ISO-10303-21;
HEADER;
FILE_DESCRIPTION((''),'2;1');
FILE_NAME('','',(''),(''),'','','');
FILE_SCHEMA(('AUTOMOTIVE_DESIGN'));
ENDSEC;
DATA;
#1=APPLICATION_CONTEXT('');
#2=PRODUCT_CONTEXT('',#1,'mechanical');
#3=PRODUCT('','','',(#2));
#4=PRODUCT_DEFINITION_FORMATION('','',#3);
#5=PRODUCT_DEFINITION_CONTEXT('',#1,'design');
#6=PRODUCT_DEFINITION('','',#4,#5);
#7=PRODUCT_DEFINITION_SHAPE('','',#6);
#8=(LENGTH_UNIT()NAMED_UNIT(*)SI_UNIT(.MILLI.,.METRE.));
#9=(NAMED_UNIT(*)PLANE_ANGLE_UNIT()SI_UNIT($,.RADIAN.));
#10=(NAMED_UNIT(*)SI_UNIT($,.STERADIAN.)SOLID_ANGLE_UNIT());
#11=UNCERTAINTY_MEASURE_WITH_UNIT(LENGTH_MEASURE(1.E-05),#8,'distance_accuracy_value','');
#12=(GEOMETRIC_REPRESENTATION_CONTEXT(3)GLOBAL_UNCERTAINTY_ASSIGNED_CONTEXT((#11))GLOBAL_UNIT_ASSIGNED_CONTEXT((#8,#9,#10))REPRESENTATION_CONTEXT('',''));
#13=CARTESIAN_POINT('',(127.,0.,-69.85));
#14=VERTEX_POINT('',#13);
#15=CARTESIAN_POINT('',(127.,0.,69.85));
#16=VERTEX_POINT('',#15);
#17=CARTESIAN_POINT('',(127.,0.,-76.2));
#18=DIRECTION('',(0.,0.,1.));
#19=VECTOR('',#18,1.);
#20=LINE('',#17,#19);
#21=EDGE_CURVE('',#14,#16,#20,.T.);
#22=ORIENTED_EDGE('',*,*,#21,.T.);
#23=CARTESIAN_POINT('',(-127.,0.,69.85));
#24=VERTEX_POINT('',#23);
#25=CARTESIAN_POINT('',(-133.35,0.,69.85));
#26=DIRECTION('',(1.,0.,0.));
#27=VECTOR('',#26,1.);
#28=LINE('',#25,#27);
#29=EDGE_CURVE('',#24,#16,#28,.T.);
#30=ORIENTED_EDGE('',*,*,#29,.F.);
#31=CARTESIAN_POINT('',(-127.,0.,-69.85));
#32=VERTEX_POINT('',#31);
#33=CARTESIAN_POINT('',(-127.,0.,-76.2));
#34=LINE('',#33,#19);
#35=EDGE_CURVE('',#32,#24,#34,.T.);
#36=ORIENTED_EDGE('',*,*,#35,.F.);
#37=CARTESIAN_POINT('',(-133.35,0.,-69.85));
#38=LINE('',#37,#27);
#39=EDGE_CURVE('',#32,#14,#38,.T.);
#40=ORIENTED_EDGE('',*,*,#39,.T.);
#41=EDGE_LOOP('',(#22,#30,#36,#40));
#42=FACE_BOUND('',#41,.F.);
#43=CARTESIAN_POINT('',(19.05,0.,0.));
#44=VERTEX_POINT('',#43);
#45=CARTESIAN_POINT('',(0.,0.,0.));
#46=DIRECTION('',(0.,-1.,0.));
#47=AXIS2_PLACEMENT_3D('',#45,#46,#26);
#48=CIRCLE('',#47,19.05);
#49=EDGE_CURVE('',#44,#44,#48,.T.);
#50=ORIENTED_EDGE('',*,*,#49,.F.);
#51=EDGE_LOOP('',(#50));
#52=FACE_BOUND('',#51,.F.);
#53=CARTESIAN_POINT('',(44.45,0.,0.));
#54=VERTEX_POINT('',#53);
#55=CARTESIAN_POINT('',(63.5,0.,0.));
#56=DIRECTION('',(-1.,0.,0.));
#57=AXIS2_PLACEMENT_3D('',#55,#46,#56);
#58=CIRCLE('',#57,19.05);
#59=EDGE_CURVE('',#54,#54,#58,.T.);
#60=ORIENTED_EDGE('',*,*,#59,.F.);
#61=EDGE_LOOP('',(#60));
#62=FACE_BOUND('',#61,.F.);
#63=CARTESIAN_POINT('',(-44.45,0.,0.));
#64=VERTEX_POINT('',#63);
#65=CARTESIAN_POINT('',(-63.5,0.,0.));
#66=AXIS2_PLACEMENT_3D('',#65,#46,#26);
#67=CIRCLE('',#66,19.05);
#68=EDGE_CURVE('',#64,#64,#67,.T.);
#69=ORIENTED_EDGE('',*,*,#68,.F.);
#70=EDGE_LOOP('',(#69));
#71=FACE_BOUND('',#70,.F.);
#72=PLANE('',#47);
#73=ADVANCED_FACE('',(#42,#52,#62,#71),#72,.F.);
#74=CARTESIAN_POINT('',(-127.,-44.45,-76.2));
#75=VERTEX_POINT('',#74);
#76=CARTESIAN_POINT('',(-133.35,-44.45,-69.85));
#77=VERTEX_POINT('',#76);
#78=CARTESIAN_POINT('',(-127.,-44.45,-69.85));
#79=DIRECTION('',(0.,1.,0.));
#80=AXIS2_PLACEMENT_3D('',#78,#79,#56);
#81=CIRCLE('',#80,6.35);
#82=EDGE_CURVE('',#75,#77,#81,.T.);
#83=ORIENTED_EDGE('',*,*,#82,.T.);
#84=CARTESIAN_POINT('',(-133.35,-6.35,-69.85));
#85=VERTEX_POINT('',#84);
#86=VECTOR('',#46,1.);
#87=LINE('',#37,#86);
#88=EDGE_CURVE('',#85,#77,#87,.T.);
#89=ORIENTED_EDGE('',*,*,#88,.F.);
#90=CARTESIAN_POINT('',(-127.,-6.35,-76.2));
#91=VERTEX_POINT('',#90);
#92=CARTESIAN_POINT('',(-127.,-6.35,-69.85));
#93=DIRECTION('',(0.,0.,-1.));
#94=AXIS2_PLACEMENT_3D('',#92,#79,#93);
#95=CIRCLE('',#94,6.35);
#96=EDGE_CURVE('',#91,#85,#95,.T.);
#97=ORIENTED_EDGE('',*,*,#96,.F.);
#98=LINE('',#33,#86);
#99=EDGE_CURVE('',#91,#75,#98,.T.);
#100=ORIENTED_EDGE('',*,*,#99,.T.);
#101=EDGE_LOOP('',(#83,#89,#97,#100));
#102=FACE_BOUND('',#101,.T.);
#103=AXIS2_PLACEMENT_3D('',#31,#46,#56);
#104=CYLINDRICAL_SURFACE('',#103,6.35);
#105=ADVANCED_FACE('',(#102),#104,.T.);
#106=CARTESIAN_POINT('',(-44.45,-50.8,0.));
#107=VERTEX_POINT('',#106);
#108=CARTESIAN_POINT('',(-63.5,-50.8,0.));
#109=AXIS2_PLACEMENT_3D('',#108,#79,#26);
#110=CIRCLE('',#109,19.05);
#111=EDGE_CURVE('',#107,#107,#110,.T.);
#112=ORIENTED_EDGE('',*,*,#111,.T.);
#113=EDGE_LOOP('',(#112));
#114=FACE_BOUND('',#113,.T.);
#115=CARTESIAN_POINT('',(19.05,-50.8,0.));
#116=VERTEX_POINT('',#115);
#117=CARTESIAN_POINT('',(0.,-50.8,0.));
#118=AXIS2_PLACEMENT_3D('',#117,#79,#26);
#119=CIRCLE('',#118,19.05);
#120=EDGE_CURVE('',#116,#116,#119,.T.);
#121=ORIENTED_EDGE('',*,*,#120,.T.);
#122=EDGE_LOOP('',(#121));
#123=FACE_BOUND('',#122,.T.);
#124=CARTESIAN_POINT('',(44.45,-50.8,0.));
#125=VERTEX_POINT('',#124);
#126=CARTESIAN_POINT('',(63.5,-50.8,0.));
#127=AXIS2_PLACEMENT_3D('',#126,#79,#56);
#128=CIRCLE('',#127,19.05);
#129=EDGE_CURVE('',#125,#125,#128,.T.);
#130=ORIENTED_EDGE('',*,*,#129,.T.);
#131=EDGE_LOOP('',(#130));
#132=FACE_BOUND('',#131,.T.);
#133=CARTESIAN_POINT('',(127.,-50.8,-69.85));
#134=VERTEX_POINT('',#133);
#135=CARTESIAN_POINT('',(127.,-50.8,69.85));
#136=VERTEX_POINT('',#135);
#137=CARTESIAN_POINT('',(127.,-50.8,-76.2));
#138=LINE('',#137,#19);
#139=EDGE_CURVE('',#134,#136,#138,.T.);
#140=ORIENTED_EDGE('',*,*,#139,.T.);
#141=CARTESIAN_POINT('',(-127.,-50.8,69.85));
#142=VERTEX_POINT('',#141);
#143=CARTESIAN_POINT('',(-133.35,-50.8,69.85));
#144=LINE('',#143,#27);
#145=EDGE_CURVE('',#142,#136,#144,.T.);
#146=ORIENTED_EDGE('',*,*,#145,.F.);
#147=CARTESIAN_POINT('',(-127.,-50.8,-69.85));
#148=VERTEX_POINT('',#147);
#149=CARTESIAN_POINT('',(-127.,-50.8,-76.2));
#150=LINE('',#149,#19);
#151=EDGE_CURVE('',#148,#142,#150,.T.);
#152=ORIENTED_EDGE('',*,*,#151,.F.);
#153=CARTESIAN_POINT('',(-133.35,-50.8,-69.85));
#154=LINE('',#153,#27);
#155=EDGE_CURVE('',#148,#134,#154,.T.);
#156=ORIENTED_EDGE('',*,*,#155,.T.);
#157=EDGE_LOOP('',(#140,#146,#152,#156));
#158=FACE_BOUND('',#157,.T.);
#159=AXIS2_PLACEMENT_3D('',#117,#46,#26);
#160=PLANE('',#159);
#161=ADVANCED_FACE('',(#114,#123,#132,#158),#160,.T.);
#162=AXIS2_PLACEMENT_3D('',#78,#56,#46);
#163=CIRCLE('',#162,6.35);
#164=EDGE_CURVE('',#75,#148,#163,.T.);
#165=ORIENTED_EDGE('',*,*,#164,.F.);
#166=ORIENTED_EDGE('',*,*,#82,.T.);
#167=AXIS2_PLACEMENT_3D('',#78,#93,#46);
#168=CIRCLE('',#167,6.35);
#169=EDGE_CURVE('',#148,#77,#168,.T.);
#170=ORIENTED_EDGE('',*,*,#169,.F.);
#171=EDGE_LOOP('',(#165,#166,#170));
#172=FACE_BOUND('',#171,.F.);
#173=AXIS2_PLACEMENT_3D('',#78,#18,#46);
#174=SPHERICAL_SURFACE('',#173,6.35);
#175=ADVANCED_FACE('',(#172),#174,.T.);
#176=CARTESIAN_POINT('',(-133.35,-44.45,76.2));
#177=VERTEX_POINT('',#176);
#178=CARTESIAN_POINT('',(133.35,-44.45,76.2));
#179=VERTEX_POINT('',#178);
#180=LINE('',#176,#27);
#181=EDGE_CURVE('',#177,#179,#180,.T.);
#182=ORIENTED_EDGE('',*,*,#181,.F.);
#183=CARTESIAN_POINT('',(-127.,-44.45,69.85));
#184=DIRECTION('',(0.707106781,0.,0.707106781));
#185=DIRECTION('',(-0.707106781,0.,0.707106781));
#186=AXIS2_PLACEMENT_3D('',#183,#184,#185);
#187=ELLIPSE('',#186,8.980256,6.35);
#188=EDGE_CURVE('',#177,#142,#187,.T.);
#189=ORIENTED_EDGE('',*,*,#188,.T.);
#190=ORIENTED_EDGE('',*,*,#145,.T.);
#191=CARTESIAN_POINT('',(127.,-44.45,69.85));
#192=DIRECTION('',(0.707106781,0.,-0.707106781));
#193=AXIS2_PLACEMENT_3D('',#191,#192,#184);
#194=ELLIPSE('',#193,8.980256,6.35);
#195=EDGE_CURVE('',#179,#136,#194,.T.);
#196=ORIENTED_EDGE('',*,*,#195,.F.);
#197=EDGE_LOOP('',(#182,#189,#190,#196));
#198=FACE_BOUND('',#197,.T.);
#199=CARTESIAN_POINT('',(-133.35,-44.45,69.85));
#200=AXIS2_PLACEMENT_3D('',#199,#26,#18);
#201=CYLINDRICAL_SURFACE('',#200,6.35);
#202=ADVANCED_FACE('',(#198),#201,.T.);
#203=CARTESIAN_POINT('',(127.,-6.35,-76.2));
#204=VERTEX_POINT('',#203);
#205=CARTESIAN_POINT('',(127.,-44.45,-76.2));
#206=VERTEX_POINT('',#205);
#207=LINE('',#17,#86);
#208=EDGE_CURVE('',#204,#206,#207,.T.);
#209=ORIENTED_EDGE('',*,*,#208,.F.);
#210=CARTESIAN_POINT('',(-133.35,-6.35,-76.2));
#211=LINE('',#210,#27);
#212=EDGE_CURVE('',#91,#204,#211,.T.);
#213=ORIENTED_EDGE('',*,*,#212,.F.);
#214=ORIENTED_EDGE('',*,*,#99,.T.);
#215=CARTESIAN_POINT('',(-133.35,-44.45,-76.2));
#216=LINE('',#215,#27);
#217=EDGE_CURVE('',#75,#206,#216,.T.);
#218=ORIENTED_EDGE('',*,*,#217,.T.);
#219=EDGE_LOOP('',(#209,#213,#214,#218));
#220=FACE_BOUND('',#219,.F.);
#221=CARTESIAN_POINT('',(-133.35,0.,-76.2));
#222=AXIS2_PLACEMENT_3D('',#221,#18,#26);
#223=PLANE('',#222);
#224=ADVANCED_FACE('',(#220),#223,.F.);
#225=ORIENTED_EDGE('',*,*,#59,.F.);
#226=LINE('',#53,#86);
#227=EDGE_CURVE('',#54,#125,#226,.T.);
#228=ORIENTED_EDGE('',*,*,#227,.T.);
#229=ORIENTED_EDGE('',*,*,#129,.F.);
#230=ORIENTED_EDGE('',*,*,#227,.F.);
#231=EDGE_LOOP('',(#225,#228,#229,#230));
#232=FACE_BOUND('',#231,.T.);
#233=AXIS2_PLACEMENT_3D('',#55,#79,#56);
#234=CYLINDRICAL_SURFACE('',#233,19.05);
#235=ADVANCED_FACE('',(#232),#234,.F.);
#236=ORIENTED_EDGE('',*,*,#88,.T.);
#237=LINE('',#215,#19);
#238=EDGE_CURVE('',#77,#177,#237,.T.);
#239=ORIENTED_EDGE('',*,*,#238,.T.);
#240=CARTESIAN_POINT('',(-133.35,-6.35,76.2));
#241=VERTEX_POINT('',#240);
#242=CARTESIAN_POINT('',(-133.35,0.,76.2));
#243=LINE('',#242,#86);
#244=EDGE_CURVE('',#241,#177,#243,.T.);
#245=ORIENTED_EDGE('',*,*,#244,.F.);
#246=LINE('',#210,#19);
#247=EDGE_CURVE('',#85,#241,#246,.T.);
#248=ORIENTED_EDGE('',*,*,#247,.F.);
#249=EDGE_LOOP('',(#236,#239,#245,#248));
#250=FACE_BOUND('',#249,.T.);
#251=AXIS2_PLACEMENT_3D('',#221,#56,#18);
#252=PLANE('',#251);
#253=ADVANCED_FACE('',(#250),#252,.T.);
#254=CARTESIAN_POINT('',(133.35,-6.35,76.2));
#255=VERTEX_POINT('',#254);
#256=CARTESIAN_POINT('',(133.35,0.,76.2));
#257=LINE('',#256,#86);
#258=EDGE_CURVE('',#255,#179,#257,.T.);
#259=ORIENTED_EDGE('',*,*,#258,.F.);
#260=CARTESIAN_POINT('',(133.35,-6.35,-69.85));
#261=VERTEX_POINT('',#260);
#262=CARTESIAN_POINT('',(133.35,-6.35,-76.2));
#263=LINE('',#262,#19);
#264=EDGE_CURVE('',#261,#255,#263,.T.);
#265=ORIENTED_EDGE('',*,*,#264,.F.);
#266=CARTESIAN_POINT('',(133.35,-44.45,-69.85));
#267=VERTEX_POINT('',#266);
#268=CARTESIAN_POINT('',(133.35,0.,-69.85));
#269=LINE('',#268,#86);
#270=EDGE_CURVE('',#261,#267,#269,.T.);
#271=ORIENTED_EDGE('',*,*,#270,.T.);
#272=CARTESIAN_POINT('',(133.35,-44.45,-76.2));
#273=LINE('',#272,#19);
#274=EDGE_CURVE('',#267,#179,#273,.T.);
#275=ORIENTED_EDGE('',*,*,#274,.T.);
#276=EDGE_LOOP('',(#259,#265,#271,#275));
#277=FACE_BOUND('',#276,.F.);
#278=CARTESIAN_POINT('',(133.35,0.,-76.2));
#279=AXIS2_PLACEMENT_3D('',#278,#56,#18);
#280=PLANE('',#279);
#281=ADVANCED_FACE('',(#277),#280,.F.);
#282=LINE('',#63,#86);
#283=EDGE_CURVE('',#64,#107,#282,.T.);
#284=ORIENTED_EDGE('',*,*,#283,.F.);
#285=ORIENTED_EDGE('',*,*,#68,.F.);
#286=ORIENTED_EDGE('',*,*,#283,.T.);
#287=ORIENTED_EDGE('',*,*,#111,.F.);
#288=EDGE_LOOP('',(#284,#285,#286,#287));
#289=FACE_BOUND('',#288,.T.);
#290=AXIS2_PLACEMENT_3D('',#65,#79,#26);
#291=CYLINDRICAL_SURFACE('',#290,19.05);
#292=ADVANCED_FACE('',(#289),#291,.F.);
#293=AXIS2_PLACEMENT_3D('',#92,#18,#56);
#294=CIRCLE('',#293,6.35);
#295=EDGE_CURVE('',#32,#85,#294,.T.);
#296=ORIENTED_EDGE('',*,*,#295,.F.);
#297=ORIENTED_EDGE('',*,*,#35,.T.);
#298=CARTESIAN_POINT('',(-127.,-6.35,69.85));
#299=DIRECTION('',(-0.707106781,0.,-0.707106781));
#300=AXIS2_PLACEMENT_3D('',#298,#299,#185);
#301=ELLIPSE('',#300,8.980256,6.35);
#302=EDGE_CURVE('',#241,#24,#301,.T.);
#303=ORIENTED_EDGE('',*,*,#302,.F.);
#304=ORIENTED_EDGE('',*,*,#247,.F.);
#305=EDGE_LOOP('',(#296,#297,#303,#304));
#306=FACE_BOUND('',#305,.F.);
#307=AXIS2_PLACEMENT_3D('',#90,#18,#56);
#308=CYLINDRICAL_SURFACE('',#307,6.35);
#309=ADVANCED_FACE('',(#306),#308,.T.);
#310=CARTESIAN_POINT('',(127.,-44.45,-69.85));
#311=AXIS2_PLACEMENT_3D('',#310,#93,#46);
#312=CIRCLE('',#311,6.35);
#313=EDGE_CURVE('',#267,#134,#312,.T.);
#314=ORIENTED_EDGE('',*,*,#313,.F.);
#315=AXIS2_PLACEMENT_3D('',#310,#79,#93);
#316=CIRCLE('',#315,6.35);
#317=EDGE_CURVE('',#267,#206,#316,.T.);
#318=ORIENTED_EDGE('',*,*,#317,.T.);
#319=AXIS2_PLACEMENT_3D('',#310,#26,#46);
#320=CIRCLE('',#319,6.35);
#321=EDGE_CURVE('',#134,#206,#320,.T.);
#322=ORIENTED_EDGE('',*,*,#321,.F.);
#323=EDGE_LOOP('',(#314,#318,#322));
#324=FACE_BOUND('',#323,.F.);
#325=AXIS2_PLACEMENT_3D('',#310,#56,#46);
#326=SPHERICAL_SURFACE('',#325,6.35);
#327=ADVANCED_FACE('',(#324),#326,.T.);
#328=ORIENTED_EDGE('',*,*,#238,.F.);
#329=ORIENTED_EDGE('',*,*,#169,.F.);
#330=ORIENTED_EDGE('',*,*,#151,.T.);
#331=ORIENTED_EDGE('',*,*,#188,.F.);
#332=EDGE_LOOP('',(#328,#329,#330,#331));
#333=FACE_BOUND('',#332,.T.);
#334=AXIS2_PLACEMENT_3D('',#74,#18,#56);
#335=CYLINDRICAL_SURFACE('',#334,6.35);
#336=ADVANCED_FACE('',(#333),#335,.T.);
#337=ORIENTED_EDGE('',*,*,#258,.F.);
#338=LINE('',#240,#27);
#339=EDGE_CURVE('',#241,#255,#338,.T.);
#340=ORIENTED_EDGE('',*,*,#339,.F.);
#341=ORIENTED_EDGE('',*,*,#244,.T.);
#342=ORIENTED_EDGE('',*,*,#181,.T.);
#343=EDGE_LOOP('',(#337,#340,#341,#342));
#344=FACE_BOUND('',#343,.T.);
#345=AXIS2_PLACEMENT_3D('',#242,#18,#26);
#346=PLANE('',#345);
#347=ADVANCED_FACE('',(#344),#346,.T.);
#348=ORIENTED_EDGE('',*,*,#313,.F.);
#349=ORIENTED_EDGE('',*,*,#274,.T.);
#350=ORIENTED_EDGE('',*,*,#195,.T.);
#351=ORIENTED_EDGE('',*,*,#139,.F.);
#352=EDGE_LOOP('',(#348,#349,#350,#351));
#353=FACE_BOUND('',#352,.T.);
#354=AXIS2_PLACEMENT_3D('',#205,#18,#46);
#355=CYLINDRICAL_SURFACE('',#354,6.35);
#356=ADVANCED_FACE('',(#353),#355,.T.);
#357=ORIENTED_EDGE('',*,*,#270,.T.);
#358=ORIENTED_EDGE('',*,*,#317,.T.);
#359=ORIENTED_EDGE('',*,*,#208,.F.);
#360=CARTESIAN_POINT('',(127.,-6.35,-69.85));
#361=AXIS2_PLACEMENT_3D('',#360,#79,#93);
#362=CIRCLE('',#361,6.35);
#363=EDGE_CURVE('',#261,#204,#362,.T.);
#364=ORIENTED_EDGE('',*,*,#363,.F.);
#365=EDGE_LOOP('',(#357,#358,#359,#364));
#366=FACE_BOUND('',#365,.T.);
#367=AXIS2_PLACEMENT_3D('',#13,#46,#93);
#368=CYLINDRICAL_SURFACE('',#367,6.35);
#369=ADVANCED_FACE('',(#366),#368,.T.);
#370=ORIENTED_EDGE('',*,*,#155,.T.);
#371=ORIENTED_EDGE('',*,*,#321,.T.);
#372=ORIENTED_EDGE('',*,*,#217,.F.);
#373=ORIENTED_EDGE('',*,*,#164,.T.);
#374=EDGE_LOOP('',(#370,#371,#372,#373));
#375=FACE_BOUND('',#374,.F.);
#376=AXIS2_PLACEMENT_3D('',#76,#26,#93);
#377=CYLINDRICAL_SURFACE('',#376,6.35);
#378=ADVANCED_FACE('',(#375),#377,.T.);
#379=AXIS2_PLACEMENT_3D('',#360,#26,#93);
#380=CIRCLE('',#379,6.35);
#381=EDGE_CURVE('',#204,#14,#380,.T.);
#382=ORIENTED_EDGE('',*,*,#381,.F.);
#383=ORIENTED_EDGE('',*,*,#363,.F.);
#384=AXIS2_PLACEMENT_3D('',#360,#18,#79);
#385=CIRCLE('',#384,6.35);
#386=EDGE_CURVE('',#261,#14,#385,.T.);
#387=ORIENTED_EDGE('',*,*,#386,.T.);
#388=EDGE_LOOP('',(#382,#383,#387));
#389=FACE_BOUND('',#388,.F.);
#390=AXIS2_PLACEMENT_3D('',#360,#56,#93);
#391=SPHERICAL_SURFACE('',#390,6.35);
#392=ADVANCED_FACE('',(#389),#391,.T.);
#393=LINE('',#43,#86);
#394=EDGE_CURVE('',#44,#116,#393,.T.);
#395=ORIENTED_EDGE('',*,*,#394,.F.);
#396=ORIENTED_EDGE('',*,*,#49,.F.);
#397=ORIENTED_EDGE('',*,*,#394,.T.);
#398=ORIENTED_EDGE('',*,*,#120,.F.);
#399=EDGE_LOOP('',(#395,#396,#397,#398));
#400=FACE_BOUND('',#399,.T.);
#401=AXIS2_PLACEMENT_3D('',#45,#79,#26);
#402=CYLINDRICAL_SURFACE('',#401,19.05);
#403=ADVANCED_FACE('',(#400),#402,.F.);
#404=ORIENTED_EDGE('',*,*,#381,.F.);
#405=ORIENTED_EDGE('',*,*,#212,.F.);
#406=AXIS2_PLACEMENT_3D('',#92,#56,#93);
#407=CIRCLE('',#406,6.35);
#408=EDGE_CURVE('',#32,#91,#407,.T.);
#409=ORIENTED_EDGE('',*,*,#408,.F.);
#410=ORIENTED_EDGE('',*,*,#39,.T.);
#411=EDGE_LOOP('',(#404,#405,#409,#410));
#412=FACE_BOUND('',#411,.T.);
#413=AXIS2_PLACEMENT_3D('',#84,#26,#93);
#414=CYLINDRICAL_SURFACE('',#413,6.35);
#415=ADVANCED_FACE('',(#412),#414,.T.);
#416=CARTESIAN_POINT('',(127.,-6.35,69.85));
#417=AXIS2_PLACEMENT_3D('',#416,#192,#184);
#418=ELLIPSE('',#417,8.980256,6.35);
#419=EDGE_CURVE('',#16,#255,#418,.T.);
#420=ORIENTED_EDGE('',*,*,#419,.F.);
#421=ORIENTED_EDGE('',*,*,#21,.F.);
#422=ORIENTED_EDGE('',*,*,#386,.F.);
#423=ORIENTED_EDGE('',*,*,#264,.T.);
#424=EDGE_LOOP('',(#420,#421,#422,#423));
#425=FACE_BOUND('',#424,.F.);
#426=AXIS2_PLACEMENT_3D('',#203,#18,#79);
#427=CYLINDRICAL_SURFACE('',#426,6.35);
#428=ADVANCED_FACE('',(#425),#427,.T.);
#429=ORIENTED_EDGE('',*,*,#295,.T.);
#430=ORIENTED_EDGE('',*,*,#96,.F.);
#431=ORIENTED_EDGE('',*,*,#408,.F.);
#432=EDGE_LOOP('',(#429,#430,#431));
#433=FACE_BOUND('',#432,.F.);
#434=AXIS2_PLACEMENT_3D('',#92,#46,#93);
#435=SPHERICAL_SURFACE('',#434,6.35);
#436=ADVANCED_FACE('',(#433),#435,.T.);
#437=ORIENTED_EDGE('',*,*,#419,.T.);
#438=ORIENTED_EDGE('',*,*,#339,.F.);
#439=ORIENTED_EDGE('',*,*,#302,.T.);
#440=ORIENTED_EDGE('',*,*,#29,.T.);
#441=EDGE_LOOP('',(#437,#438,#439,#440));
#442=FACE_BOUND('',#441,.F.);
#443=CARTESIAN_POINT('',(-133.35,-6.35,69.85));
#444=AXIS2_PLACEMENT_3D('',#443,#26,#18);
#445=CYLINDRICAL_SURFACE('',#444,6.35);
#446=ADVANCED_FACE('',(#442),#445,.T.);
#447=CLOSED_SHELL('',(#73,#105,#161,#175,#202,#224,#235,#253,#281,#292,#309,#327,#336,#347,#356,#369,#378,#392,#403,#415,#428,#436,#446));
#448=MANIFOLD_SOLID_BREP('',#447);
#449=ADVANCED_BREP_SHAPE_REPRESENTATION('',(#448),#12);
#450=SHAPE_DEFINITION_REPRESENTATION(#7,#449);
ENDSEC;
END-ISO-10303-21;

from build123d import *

# Parameters (mm, degrees)
F0_W     = 266.7
F0_H     = 152.4
F1_DEPTH = 50.8
F2_R     = 19.05
F3_DEPTH = 50.801
F4_R     = 19.05
F5_DEPTH = 50.801
F6_R     = 6.35


with BuildPart() as f1:
    # F0 (on Front) → F1 (new body)
    with BuildSketch(Plane.XZ):
        Rectangle(F0_W, F0_H)
    extrude(amount=F1_DEPTH)

    # F2 (on Front) → F3 (cut, through all)
    with BuildSketch(Plane.XZ):
        Circle(F2_R)
    extrude(amount=F3_DEPTH, mode=Mode.SUBTRACT)

    # F4 (on Front) → F5 (cut, through all)
    with BuildSketch(Plane.XZ):
        with Locations((-63.5, 0)):
            Circle(F4_R)
        with BuildLine():
            ThreePointArc((82.55, 0), (63.5, 19.05), (44.45, 0))
            ThreePointArc((44.45, 0), (63.5, -19.05), (82.55, 0))
        make_face()
    extrude(amount=F5_DEPTH, mode=Mode.SUBTRACT)

    # F6
    f6_edges = [f1.edges().sort_by_distance(p)[0] for p in [
        (-133.35, -50.8, 0),
        (0, -50.8, -76.2),
        (0, -50.8, 76.2),
        (133.35, -50.8, 0),
        (-133.35, -25.4, -76.2),
        (0, 0, -76.2),
        (-133.35, 0, 0),
        (133.35, -25.4, -76.2),
        (133.35, 0, 0),
        (0, 0, 76.2),
    ]]
    fillet(f6_edges, radius=F6_R)


solid = f1.part
